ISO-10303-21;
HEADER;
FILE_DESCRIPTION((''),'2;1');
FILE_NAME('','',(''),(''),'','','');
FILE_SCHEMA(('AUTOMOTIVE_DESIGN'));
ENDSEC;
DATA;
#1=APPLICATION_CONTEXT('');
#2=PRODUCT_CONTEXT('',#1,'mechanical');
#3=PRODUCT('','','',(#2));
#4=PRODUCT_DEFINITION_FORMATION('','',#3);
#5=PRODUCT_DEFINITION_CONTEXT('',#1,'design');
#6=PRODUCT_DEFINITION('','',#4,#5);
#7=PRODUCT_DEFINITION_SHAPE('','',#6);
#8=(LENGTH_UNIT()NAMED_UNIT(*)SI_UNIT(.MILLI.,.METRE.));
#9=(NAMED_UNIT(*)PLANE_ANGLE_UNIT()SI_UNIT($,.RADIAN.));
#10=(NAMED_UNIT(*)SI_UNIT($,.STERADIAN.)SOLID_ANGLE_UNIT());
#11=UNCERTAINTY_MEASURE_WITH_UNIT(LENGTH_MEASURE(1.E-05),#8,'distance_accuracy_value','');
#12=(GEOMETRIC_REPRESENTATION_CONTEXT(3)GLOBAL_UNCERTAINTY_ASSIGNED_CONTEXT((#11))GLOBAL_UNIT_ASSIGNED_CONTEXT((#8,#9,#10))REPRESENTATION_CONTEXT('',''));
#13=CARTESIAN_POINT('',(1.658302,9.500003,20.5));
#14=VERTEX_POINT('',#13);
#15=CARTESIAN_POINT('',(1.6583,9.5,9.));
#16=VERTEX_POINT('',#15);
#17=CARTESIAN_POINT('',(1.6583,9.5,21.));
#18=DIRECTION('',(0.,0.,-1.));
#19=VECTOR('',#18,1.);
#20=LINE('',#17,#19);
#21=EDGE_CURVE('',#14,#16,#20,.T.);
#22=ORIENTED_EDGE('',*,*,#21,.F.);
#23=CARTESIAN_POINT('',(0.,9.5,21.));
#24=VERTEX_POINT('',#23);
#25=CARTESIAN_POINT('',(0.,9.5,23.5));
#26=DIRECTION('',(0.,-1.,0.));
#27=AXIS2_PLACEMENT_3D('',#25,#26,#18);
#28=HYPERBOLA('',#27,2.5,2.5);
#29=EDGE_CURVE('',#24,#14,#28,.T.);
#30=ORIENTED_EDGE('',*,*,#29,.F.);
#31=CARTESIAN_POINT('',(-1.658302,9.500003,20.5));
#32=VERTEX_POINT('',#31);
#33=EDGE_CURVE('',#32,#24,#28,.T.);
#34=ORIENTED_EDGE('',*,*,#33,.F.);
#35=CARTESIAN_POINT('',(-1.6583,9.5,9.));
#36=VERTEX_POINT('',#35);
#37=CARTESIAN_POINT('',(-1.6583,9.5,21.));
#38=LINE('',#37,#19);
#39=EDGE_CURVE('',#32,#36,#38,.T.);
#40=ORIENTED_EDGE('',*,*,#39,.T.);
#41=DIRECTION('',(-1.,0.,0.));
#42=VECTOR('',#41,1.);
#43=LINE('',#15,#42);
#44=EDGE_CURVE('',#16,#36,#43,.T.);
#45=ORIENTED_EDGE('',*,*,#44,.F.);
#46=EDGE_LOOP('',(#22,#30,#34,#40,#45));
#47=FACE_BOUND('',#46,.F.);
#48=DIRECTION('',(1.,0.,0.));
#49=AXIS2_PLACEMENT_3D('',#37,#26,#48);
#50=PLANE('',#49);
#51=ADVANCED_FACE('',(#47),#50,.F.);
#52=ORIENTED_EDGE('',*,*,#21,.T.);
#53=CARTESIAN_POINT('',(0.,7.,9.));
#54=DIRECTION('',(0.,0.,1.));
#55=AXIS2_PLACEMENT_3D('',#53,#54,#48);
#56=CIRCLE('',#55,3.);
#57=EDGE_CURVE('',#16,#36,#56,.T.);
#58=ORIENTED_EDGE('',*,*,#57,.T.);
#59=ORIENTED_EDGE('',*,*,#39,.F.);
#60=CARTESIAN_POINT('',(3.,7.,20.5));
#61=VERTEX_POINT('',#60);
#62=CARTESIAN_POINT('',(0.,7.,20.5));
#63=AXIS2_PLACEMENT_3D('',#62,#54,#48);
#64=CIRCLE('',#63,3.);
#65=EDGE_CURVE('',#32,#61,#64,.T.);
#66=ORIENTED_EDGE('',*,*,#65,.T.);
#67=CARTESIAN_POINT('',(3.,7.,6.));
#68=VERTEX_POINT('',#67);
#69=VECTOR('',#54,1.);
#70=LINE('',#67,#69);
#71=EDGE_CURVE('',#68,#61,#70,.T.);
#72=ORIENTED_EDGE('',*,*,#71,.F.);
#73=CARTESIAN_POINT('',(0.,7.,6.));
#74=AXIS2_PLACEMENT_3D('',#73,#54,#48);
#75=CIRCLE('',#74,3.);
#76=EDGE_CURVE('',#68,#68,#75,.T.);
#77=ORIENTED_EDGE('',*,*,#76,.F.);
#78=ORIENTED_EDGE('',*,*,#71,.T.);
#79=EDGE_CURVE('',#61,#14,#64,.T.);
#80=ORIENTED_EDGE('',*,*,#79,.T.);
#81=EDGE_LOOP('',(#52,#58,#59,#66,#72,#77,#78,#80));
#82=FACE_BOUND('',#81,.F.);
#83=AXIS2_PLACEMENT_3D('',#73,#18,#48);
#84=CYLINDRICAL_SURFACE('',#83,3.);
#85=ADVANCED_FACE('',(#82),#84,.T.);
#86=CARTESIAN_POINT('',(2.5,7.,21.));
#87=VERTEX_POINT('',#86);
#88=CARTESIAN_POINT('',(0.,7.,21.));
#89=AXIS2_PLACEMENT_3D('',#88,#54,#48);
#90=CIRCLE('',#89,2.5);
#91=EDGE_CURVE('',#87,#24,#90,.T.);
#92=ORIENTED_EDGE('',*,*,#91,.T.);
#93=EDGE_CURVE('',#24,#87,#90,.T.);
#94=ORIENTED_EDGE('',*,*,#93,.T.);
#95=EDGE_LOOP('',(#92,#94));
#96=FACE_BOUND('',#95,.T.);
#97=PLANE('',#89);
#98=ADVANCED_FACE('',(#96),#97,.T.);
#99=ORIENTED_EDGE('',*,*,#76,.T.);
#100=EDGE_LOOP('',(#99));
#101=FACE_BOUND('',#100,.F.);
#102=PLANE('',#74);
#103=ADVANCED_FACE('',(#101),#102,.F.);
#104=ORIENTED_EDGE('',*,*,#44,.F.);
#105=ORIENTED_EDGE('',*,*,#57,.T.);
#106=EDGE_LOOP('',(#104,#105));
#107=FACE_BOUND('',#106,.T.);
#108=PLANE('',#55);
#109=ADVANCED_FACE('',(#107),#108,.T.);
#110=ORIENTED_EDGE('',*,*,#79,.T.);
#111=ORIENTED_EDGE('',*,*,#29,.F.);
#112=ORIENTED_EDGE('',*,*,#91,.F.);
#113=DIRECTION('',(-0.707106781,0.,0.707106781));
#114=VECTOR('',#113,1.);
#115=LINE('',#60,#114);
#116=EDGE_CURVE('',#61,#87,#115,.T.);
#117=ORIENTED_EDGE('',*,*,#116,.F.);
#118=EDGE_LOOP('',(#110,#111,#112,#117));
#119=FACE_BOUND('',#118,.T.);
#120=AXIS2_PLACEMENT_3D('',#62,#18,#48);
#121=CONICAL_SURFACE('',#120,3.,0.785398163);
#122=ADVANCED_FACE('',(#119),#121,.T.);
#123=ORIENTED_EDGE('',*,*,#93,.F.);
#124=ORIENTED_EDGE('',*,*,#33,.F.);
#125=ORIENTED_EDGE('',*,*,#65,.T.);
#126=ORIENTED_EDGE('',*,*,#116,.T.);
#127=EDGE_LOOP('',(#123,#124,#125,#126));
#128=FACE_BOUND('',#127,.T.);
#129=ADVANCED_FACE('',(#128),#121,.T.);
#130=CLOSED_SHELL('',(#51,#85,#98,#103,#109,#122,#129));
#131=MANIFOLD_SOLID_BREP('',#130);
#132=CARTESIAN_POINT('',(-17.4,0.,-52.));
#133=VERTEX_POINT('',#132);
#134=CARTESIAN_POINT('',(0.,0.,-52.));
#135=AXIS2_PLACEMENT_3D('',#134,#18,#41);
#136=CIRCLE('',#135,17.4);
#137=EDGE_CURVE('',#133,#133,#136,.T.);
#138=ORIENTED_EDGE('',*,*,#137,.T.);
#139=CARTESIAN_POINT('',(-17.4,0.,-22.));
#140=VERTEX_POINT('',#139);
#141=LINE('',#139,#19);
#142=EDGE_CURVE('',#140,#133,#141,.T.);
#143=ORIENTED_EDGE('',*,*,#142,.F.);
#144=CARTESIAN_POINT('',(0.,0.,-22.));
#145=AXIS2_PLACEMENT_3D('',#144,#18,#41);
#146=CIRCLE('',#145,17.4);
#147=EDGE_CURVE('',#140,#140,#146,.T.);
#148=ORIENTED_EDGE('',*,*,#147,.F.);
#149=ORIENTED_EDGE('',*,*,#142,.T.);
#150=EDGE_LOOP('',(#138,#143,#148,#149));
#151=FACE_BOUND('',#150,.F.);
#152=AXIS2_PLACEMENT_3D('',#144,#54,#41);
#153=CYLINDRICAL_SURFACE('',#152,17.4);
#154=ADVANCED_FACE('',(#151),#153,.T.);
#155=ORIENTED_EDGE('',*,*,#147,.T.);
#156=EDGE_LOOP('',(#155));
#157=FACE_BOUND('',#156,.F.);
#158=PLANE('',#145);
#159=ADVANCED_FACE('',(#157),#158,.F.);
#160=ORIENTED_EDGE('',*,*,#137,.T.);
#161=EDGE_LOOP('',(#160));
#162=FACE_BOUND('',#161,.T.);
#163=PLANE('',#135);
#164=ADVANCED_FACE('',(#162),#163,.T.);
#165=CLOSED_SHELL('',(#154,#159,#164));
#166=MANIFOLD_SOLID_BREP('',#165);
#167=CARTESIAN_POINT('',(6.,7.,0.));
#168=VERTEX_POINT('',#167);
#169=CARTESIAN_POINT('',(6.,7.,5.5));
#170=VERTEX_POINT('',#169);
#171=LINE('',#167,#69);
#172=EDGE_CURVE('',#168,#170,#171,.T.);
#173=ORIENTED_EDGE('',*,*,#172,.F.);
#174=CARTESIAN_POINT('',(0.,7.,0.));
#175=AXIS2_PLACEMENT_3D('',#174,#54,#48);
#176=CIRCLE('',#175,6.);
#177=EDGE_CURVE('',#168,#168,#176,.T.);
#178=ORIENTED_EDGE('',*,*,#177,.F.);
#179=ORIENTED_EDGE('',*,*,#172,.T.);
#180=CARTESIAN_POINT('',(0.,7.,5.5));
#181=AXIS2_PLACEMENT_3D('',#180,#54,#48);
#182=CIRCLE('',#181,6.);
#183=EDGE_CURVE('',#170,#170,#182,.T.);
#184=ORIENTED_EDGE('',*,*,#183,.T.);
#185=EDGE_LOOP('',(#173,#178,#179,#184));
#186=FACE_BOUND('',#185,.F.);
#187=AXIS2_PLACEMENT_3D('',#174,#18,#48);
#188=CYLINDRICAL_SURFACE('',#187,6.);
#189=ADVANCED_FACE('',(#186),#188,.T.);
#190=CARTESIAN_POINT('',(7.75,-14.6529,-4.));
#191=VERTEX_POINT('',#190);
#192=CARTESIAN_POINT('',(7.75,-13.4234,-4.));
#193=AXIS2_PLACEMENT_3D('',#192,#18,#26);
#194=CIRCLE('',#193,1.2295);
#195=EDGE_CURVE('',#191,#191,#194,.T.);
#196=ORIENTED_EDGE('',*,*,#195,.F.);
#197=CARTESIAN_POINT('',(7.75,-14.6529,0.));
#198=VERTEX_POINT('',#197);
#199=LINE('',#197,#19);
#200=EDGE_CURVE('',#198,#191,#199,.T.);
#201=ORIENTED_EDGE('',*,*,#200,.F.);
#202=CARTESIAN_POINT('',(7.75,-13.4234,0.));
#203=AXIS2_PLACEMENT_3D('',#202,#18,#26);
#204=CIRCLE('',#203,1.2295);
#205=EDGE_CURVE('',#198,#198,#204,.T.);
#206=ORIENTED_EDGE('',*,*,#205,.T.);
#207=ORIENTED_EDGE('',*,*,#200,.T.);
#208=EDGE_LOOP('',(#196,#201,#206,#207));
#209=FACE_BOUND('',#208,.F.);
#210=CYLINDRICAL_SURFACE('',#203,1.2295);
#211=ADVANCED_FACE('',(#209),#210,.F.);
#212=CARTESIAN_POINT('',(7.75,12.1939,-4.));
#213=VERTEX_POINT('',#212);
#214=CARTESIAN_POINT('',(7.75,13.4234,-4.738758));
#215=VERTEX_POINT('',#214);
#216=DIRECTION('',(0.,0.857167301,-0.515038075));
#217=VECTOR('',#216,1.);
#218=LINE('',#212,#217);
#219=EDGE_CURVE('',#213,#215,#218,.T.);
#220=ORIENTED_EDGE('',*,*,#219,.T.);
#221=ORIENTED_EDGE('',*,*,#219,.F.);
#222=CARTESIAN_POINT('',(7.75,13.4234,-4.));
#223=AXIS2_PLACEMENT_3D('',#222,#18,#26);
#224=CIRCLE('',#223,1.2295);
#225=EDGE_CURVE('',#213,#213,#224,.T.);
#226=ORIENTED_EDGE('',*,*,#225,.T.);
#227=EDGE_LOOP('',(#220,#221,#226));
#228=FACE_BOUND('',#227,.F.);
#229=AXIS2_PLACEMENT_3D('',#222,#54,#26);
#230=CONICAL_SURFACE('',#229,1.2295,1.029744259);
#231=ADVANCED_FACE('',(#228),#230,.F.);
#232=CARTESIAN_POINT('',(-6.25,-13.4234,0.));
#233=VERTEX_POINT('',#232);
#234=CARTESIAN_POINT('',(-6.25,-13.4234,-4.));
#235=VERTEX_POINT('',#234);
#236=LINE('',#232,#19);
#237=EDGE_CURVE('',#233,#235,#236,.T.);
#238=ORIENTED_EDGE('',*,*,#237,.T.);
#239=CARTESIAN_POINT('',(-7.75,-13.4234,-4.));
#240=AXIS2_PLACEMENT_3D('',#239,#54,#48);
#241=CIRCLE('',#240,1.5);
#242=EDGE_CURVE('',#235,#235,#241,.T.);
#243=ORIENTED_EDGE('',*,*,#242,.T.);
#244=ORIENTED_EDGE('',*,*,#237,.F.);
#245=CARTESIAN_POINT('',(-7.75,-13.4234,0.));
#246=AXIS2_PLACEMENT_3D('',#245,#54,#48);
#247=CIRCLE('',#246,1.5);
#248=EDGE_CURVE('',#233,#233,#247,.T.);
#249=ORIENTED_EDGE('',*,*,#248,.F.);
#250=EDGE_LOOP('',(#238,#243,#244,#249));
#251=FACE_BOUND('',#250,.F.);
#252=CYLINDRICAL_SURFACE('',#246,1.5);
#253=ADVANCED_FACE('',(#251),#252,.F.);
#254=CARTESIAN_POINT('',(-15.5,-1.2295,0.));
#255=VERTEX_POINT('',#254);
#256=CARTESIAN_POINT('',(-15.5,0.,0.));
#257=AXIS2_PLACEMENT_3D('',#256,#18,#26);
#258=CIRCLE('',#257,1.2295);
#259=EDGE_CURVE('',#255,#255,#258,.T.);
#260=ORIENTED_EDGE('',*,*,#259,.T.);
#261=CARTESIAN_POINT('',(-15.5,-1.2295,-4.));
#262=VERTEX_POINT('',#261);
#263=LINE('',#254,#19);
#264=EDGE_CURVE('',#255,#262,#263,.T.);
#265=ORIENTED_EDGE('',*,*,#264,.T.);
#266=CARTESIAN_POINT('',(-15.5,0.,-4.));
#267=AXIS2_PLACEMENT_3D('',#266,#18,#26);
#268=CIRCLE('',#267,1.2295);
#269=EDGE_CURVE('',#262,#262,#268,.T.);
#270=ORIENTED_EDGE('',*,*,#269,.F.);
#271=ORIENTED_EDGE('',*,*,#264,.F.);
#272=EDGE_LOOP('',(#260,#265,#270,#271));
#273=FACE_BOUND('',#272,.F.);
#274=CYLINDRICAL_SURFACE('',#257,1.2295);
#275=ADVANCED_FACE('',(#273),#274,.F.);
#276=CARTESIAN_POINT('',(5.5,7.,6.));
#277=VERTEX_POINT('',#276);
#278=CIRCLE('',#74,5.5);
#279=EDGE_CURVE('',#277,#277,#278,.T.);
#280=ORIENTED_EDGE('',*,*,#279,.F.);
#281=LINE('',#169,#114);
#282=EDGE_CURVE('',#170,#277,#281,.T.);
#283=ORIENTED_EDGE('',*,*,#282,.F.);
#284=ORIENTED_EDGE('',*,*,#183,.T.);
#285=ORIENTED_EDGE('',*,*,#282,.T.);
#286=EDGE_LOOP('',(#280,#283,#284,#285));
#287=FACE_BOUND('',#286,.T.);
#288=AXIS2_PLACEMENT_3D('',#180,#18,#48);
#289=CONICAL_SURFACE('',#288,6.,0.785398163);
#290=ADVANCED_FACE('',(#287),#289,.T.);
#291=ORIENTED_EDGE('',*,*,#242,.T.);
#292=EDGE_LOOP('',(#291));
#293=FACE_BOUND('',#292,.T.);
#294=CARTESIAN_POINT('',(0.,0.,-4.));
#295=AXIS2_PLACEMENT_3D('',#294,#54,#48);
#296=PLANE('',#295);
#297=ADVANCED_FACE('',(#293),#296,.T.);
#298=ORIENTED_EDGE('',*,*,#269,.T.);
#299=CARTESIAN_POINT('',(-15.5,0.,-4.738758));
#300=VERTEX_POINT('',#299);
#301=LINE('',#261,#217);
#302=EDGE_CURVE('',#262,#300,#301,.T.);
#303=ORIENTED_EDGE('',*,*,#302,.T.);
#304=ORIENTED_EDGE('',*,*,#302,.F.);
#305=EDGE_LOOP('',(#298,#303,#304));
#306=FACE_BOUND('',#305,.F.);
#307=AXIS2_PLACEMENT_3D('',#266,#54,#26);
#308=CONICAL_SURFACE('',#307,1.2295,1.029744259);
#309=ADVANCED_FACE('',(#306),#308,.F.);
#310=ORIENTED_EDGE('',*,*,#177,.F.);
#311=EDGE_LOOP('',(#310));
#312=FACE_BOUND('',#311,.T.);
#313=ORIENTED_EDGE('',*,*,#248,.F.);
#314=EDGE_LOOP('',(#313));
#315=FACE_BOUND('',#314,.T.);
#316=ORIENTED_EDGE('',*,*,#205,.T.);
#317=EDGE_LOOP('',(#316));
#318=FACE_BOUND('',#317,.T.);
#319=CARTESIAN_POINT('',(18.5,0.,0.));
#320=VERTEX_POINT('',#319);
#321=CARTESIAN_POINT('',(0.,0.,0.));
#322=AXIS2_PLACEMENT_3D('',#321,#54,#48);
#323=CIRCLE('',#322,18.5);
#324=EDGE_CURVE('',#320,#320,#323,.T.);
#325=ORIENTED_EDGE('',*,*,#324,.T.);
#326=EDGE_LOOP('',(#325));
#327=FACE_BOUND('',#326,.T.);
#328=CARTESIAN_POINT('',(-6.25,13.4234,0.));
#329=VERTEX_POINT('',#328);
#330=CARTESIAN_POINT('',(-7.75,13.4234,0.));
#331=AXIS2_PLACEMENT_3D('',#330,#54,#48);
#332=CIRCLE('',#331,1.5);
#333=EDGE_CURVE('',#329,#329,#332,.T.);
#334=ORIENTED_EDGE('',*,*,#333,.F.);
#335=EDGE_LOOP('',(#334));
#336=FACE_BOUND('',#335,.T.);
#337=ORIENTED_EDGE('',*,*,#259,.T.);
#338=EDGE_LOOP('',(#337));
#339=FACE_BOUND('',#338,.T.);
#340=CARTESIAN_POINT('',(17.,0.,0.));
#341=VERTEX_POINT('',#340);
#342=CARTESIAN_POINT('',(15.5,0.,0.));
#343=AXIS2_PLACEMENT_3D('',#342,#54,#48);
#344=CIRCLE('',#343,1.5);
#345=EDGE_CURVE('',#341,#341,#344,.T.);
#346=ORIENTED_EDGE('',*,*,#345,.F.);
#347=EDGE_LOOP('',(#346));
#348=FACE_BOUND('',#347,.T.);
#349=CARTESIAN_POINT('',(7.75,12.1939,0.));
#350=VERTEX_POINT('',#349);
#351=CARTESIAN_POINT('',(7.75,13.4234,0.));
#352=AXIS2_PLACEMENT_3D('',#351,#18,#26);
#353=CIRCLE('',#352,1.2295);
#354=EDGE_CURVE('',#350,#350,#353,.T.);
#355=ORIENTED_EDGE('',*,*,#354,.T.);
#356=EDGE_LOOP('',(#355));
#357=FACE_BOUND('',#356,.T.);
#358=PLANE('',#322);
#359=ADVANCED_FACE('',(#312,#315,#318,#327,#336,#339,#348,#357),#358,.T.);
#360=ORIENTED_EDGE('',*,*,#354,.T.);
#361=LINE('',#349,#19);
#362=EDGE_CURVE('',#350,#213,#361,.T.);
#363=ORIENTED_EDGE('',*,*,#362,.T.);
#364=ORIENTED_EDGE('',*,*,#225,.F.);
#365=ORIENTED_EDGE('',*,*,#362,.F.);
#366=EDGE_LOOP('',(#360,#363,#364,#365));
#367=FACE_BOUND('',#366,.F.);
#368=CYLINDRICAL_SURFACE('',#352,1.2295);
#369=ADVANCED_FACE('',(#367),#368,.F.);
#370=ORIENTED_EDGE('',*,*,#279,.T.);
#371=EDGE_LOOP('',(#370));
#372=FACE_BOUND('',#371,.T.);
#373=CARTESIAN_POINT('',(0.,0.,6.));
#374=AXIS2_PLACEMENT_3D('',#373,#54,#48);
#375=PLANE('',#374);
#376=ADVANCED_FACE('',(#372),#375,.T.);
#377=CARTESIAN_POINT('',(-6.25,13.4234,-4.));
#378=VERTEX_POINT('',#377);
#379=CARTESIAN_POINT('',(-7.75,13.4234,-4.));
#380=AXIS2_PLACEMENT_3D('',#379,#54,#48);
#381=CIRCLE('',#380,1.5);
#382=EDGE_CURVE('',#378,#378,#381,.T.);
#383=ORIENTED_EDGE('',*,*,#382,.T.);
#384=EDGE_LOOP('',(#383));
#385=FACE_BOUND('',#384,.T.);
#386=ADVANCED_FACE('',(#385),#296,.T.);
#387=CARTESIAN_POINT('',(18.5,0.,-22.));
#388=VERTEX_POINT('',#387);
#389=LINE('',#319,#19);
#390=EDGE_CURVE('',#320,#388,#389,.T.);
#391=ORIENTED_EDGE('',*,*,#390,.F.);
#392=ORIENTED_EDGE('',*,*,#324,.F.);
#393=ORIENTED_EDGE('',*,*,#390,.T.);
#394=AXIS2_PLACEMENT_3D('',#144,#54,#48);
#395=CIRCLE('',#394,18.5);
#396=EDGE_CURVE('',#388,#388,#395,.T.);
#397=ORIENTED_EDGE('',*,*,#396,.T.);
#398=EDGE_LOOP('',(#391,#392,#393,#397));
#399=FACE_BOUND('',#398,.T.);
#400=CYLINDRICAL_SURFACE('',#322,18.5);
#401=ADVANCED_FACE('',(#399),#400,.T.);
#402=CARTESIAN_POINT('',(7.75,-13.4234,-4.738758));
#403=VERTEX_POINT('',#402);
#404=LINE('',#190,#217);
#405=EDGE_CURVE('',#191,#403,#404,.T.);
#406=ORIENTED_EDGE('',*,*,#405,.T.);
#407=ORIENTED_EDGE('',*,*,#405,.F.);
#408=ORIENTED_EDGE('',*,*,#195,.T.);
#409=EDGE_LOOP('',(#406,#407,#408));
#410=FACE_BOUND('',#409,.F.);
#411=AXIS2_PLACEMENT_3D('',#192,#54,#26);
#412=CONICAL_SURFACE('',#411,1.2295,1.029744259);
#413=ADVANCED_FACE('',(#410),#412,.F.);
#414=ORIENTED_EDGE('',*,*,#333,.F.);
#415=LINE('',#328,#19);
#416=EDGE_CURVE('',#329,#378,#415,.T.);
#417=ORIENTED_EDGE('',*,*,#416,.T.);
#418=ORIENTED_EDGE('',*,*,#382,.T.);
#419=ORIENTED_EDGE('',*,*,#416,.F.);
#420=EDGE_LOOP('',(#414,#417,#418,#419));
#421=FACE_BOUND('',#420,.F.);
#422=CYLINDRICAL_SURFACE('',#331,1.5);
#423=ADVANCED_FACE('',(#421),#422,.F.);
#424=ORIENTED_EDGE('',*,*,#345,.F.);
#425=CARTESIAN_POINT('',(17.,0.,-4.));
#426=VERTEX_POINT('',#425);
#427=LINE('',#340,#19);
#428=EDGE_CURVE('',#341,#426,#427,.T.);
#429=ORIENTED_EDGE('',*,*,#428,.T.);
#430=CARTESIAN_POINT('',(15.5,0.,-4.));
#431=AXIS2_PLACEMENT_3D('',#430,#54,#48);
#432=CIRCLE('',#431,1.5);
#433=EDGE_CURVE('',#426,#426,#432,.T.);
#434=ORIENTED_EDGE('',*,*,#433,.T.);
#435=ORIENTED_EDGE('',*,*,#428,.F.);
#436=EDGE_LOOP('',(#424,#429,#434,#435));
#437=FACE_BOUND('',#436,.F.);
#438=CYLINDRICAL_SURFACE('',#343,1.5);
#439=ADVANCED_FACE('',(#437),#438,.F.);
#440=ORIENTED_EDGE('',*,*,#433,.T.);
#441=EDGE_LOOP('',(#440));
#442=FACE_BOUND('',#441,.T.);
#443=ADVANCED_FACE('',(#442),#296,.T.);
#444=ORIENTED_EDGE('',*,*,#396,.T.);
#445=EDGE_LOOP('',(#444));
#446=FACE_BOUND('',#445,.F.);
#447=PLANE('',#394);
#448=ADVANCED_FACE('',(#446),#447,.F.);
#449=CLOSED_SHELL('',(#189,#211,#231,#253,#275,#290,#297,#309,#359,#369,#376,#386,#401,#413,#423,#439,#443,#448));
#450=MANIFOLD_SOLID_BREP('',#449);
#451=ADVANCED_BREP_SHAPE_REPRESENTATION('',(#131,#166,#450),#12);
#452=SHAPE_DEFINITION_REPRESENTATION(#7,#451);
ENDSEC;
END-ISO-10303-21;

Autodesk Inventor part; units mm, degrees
ref_plane "YZ Plane" through (0, 0, 0) normal (1, 0, 0) x (0, 1, 0)
ref_plane "XZ Plane" through (0, 0, 0) normal (0, 1, 0) x (-1, 0, 0)
ref_plane "XY Plane" through (0, 0, 0) normal (0, 0, 1) x (1, 0, 0)
sketch "Skizze1" plane through (0, 0, 0) normal (0, 0, 1) x (1, 0, 0)
  circle A0 centre (7.75, -13.4234) radius 1.5
  circle A1 centre (-7.75, -13.4234) radius 1.5
  circle A2 centre (-13.4234, 7.75) radius 1.5
  circle A3 centre (13.4234, 7.75) radius 1.5
  circle A4 centre (-7.75, 13.4234) radius 1.5
  circle A5 centre (15.5, 0) radius 1.5
  circle A6 centre (7.75, 13.4234) radius 1.5
  circle A7 centre (0, -15.5) radius 1.5
  circle A8 centre (-15.5, 0) radius 1.5
  circle A9 centre (0, 7) radius 6
  circle A10 centre (0, 0) radius 18.5
extrude "Extrusion1" add sketch "Skizze1" along normal blind 6 contours A9
extrude "Extrusion2" add sketch "Skizze1" against normal blind 22 contours A0 | A1 | A2 | A3 | A4 | A5 | A6 | A7 | A8 | A9 | A10
sketch "Skizze2" plane through (0, 0, -22) normal (0, 0, -1) x (-1, 0, 0)
  circle A0 centre (0, 0) radius 18.5 projected
  circle A1 centre (0, 0) radius 17.4
  dimension "d4" = 34.8
extrude "Extrusion3" add sketch "Skizze2" along normal blind 30 separate body contours A1
chamfer "Fase1" distance 0.5 angle 45 1 edges at (-6, 7, 6)
sketch "Skizze3" plane through (0, 7, 6) normal (0, 0, 1) x (1, 0, 0)
  circle A0 centre (0, 0) radius 5.5 projected
  circle A1 centre (0, 0) radius 3
  point P0 (0, -7)
  dimension "d10" = 6
extrude "Extrusion4" add sketch "Skizze3" along normal blind 15 separate body contours A1
chamfer "Fase2" distance 0.5 angle 45 1 edges at (-3, 7, 21)
extrude "Extrusion5" cut sketch "Skizze1" against normal blind 4 contours A1 | A4 | A5 bodies 1
hole "Bohrung1" at (-15.5, 0, 0) at (7.75, -13.4234, 0) at (7.75, 13.4234, 0) direction (0, 0, -1) diameter 2.459 depth 4 tip angle 118 bodies 1 thread size "M3x0.5" class "6H" standard "ANSI Metric M Profile"
sketch "Skizze4" plane through (0, 7, 21) normal (0, 0, 1) x (1, 0, 0)
  circle A0 centre (0, 0) radius 2.5 projected
  circle A1 centre (0, 0) radius 3 projected
  line L0 (-1.6583, 2.5) -> (1.6583, 2.5)
  point P0 (0, -7)
  dimension "d25" = 5.5
extrude "Extrusion6" cut sketch "Skizze4" against normal blind 12 contours L0 A1 picked at (-0.897, 2.6056) bodies 3
properties part number "conrad_getriebe_motor" material "Stahl"
